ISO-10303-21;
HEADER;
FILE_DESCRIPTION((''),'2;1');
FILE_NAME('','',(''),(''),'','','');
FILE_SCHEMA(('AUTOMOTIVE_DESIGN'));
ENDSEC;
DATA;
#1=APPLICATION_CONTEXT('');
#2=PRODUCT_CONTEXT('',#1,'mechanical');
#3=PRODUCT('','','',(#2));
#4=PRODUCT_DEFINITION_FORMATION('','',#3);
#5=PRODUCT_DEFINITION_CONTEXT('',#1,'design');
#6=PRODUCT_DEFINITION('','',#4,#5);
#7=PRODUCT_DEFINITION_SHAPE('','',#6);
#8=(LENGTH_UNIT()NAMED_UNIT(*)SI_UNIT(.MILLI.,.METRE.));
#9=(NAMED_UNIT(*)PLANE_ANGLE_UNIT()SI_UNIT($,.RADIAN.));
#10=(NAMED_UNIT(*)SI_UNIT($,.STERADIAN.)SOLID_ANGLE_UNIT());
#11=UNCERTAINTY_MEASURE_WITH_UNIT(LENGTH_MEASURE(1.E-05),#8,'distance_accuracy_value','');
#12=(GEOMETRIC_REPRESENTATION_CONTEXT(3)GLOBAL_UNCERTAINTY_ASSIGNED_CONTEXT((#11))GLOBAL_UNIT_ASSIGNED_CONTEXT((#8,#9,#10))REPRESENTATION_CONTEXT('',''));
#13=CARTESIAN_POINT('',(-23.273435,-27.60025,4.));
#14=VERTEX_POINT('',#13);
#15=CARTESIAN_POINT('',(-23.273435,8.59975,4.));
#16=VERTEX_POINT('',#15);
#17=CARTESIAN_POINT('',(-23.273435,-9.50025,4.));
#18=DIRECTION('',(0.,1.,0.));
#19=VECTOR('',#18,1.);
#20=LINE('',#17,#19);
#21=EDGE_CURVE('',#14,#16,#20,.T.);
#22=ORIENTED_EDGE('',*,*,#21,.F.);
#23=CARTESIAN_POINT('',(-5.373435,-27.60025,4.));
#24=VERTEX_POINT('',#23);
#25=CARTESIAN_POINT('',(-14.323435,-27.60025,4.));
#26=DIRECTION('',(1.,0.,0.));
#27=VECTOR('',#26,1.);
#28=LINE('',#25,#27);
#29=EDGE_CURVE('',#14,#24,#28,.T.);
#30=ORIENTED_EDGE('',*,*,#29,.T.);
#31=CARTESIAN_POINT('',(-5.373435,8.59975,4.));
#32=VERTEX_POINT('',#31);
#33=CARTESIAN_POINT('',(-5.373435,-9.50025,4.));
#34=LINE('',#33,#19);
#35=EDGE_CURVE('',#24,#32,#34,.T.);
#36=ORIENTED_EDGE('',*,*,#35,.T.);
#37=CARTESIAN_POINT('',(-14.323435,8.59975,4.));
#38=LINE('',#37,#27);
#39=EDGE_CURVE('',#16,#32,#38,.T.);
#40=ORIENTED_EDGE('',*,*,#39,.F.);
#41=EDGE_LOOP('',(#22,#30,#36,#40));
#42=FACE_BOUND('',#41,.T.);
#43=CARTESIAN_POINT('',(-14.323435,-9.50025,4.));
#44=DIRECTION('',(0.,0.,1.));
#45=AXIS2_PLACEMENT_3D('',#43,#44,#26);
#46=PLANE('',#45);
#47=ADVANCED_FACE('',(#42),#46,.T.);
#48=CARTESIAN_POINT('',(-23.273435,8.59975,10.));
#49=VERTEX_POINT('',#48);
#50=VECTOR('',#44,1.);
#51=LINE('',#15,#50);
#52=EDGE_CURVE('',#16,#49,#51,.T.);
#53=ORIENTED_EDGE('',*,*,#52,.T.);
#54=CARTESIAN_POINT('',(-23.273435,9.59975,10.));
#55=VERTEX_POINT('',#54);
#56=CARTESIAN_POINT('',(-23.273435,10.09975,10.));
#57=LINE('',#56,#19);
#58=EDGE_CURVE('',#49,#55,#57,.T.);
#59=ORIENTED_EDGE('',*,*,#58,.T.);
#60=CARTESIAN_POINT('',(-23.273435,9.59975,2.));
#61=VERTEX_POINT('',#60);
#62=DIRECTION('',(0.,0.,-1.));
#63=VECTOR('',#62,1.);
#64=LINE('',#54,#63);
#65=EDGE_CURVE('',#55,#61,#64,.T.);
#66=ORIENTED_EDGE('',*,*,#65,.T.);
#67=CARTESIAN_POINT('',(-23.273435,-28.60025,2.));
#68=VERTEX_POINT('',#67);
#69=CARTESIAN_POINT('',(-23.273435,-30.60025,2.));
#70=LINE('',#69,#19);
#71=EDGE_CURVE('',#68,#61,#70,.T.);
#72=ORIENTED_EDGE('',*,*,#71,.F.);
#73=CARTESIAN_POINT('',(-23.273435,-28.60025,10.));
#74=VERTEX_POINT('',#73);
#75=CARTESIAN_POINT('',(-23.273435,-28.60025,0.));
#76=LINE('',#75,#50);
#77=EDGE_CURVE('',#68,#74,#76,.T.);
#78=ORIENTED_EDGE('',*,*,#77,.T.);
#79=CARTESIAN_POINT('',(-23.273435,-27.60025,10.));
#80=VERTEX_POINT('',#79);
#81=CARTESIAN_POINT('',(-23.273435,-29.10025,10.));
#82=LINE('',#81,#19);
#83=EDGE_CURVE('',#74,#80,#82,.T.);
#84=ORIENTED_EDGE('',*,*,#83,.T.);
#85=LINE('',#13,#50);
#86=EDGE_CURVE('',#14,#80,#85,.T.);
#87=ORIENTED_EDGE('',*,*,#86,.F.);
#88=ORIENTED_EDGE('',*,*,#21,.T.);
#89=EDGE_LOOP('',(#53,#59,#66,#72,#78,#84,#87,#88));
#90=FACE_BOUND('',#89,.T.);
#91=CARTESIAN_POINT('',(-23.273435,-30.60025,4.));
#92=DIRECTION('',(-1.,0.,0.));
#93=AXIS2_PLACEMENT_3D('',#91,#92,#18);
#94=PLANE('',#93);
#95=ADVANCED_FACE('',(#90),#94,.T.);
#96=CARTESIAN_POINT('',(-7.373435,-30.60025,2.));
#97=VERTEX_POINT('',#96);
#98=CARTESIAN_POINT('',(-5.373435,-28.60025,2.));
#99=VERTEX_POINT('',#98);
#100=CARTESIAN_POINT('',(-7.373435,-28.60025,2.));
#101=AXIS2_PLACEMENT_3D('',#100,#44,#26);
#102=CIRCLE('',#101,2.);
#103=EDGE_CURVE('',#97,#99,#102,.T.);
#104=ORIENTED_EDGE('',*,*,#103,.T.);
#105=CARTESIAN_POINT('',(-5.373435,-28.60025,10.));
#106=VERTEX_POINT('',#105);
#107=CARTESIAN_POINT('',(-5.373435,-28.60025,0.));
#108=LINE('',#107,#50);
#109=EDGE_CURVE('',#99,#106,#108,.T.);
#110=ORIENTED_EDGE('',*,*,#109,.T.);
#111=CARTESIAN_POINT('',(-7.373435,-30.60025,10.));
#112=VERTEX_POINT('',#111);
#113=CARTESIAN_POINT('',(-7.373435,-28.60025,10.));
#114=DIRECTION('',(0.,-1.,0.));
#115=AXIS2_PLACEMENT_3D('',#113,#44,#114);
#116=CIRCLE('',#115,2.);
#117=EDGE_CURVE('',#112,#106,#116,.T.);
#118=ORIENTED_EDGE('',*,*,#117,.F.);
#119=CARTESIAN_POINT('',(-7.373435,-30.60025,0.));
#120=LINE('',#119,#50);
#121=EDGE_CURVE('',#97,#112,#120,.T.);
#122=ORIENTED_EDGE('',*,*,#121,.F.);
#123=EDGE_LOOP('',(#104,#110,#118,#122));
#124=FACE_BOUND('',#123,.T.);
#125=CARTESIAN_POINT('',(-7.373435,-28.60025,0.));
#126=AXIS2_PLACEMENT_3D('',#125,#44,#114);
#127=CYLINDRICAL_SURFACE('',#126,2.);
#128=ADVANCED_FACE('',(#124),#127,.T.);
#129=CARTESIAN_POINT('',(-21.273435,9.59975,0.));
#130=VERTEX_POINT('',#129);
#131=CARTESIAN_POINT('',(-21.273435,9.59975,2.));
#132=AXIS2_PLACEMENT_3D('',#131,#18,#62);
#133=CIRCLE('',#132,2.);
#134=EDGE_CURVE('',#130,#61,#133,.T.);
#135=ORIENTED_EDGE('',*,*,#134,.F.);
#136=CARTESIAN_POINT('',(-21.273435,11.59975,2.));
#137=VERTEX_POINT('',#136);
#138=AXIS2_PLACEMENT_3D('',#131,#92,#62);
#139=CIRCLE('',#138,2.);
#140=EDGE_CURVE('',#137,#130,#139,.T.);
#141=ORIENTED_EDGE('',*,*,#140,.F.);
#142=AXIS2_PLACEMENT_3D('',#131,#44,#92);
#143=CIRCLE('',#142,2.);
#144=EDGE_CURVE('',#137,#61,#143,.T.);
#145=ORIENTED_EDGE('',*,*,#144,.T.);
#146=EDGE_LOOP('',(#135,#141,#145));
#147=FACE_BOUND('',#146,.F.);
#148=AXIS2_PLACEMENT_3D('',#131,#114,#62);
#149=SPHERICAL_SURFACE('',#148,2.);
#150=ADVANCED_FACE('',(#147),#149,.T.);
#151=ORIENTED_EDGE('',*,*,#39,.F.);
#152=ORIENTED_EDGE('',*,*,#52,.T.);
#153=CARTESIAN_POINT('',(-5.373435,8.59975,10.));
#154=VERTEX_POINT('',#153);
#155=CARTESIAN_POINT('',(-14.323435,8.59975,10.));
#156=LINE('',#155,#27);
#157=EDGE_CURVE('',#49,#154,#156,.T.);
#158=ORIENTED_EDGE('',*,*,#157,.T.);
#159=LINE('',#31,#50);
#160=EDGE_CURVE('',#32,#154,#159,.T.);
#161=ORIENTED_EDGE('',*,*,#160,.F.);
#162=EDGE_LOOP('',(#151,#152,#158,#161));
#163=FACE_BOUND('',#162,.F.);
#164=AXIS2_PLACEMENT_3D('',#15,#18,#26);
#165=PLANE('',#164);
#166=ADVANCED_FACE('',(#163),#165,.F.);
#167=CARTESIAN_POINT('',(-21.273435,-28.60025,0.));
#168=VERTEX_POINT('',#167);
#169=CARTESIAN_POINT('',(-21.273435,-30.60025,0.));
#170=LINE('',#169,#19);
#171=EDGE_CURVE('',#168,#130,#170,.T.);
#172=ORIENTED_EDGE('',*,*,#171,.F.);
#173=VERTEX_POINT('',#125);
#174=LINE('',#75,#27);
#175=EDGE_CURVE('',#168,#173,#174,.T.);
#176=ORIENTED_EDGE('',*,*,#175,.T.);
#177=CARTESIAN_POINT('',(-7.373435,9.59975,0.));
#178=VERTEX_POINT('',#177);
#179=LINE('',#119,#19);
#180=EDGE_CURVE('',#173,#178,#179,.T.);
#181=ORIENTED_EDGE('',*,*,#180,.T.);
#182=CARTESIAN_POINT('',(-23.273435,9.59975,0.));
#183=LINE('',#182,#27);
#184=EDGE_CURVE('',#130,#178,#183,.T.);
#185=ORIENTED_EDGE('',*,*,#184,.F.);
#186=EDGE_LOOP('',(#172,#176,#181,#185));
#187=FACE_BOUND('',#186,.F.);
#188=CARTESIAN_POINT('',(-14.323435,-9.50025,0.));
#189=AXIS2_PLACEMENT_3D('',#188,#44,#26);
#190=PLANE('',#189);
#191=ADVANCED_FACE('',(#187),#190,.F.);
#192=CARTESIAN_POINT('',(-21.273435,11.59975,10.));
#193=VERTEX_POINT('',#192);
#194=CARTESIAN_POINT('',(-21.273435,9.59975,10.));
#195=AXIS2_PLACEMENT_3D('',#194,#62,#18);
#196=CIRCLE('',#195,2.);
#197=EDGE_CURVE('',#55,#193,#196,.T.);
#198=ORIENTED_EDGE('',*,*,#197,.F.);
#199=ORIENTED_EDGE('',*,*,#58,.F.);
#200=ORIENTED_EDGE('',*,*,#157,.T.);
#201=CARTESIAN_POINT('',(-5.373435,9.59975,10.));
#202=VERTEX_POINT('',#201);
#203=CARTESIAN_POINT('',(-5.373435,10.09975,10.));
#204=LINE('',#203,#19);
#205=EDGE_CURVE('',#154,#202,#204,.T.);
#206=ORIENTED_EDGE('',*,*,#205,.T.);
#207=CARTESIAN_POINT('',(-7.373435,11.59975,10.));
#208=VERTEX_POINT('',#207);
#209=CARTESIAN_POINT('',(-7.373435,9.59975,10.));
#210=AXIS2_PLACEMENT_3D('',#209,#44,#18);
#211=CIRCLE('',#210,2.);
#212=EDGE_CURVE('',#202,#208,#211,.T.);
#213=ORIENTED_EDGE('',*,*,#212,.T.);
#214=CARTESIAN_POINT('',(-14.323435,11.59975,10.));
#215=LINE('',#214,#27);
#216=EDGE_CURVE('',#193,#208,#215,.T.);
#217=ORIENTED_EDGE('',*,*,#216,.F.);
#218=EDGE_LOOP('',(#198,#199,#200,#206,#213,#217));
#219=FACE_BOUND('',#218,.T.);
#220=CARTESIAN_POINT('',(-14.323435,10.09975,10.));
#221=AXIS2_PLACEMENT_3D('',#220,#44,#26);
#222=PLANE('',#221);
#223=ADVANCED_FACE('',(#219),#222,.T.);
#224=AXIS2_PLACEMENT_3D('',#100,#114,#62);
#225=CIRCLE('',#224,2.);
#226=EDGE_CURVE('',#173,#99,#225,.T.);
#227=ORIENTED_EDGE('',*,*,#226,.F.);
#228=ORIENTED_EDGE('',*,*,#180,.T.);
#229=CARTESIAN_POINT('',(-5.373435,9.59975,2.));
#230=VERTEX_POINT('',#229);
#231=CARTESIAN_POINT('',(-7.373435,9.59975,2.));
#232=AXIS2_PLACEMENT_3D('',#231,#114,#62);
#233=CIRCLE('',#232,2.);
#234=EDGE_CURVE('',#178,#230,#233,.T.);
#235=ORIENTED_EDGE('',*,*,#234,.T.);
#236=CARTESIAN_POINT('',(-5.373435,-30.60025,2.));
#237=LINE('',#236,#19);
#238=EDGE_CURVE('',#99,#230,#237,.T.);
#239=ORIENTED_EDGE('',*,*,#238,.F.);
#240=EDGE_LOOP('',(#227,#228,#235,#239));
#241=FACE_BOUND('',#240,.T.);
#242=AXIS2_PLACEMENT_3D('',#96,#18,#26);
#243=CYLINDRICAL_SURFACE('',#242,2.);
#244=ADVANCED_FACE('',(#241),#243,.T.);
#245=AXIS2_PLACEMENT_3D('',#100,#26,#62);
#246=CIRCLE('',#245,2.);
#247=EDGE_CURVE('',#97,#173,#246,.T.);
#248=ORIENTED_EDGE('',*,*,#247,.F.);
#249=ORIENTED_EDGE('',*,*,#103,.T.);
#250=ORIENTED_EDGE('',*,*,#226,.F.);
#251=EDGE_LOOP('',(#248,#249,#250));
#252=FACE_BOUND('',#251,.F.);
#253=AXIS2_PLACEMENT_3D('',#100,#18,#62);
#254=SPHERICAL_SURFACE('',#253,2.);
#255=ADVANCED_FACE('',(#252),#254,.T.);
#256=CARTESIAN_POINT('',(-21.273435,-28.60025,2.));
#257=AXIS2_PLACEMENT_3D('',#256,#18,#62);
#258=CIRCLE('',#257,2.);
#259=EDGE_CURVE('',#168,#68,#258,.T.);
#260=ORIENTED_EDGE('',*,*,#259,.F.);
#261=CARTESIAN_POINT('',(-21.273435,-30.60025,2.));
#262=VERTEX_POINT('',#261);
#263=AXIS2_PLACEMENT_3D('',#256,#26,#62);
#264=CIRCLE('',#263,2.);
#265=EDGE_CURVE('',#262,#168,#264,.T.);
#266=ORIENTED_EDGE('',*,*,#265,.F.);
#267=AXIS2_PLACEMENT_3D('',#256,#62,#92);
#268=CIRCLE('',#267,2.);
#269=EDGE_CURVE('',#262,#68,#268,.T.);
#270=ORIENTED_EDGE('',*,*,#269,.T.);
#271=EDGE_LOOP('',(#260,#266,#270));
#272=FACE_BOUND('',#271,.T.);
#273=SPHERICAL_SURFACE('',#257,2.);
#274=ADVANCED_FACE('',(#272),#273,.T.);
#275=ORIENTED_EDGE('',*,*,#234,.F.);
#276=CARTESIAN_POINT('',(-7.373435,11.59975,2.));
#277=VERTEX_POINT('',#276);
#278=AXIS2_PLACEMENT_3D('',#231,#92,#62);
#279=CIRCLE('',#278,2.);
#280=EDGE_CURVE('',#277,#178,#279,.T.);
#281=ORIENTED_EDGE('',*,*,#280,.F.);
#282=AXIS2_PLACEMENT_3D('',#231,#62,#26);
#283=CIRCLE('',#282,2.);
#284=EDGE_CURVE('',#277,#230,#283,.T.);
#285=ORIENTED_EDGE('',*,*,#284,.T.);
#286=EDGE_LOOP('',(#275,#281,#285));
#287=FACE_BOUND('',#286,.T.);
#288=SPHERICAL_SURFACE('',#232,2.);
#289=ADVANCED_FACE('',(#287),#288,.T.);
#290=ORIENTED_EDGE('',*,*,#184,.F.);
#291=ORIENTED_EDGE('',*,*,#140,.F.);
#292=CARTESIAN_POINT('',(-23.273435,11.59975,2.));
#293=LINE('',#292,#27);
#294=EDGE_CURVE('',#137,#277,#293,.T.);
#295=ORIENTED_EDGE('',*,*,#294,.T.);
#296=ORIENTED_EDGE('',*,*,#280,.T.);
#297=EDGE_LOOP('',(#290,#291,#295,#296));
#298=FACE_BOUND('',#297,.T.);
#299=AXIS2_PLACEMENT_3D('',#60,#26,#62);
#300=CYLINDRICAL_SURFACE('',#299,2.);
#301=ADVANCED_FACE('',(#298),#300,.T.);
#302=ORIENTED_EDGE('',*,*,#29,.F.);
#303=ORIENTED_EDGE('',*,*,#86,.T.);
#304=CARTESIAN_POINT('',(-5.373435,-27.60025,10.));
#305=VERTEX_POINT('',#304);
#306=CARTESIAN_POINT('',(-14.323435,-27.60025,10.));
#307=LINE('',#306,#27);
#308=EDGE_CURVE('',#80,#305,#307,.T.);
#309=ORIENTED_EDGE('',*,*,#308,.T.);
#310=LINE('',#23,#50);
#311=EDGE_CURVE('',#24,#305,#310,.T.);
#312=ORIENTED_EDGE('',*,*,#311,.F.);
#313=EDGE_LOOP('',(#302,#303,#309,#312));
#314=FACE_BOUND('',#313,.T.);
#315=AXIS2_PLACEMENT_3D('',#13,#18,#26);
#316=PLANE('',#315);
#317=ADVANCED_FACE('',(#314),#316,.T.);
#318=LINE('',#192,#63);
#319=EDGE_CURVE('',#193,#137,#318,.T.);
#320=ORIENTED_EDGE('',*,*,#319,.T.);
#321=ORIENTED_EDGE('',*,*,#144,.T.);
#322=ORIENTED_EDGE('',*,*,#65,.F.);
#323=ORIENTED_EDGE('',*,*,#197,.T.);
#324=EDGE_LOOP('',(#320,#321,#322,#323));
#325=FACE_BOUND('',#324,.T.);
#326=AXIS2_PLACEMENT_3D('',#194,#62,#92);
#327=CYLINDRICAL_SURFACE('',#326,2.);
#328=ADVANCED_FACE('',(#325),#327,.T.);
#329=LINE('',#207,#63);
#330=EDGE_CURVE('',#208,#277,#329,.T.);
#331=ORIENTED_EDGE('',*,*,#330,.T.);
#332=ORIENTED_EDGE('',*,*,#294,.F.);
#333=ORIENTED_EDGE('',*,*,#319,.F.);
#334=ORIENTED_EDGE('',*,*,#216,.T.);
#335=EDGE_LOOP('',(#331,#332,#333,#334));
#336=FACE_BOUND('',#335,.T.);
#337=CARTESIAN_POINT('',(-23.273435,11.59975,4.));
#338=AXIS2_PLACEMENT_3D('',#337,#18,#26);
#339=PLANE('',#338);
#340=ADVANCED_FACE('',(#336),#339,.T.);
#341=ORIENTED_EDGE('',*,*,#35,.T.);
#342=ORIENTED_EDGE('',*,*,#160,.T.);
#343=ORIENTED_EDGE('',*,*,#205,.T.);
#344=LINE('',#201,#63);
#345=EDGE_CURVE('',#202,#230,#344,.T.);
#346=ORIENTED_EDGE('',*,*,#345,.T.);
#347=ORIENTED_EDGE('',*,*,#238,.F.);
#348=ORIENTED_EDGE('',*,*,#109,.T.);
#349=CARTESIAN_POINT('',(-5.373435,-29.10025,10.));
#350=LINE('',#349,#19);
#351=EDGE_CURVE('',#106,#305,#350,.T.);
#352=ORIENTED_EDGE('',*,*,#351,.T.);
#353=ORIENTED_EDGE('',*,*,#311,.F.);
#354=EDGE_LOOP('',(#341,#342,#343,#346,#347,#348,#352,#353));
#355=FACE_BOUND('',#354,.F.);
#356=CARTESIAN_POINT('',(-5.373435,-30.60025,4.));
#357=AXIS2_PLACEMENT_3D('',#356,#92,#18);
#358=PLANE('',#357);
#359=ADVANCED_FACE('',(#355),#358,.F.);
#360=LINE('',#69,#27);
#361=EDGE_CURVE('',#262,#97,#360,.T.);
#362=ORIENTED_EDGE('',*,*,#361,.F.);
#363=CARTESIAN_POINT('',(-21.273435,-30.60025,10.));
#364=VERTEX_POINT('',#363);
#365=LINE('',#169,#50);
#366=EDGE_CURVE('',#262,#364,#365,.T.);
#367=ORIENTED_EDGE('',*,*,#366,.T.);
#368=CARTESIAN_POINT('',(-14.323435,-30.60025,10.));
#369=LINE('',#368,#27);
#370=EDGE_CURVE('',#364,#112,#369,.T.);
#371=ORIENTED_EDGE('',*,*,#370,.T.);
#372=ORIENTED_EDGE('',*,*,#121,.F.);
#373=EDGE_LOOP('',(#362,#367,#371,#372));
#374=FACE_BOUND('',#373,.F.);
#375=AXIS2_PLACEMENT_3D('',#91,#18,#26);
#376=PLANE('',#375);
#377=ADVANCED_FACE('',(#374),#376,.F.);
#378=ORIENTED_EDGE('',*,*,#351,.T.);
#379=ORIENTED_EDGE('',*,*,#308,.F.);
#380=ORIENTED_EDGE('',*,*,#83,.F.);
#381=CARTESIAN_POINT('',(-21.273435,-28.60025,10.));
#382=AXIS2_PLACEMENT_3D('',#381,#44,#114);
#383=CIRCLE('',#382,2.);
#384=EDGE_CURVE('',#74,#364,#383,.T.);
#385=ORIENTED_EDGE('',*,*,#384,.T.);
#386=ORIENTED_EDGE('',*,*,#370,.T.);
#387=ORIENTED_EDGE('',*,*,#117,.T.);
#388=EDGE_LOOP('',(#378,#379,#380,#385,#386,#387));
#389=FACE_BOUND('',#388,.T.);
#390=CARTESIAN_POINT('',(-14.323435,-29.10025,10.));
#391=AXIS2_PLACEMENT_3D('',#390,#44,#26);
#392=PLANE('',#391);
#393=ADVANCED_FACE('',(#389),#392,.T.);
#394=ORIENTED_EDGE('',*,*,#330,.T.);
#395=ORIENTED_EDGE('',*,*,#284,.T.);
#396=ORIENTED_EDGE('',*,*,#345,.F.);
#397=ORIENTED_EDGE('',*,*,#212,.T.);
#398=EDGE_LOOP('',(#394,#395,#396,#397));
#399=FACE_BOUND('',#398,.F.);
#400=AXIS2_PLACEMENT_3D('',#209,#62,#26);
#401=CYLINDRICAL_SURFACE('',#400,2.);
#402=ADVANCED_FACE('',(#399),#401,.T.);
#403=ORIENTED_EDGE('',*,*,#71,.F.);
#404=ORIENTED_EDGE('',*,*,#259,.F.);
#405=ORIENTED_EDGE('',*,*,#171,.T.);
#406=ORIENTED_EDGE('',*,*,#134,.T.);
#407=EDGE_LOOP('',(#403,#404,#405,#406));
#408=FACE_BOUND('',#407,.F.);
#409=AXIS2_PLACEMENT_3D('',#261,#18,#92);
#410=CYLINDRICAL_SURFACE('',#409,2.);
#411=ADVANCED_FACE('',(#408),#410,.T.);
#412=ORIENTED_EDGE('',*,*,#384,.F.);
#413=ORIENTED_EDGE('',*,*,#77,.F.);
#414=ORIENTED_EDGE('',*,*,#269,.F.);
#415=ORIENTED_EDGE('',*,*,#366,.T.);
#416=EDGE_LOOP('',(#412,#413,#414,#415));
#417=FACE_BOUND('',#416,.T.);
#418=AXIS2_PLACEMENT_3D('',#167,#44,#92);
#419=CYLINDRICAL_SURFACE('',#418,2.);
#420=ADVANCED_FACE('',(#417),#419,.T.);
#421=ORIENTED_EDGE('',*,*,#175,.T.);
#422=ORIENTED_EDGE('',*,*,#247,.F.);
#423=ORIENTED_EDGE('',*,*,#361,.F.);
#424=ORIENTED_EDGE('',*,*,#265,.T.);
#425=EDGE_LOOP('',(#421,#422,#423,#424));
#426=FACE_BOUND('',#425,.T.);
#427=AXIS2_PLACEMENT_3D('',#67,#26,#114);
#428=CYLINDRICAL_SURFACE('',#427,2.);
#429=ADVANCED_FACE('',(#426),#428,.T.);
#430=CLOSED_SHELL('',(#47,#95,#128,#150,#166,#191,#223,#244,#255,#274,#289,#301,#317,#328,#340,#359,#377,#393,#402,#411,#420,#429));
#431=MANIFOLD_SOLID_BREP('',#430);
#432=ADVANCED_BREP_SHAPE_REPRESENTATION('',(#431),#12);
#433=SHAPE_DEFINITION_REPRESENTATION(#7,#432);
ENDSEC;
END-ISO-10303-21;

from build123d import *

# Parameters (mm, degrees)
F0_W     = 17.9
F0_H     = 42.2
F1_DEPTH = 4
F2_W     = 17.9
F2_H     = 3
F3_DEPTH = 6
F4_W     = 17.9
F4_H     = 3
F5_DEPTH = 6
F6_R     = 2


with BuildPart() as f1:
    # F0 (on Top) → F1 (new body)
    with BuildSketch(Plane.XY):
        with Locations((-14.323435, -9.50025)):
            Rectangle(F0_W, F0_H)
    extrude(amount=F1_DEPTH)

    # F2 (on face) → F3 (join)
    with BuildSketch(Plane.XY.offset(4)):
        with Locations((-14.323435, 10.09975)):
            Rectangle(F2_W, F2_H)
    extrude(amount=F3_DEPTH)

    # F4 (on face) → F5 (join)
    with BuildSketch(Plane.XY.offset(4)):
        with Locations((-14.323435, -29.10025)):
            Rectangle(F4_W, F4_H)
    extrude(amount=F5_DEPTH)

    # F6
    f6_edges = [f1.edges().sort_by_distance(p)[0] for p in [
        (-23.273435, -9.50025, 0),
        (-5.373435, -9.50025, 0),
        (-14.323435, 11.59975, 0),
        (-14.323435, -30.60025, 0),
        (-5.373435, 11.59975, 5),
        (-23.273435, 11.59975, 5),
        (-5.373435, -30.60025, 5),
        (-23.273435, -30.60025, 5),
    ]]
    fillet(f6_edges, radius=F6_R)


solid = f1.part
